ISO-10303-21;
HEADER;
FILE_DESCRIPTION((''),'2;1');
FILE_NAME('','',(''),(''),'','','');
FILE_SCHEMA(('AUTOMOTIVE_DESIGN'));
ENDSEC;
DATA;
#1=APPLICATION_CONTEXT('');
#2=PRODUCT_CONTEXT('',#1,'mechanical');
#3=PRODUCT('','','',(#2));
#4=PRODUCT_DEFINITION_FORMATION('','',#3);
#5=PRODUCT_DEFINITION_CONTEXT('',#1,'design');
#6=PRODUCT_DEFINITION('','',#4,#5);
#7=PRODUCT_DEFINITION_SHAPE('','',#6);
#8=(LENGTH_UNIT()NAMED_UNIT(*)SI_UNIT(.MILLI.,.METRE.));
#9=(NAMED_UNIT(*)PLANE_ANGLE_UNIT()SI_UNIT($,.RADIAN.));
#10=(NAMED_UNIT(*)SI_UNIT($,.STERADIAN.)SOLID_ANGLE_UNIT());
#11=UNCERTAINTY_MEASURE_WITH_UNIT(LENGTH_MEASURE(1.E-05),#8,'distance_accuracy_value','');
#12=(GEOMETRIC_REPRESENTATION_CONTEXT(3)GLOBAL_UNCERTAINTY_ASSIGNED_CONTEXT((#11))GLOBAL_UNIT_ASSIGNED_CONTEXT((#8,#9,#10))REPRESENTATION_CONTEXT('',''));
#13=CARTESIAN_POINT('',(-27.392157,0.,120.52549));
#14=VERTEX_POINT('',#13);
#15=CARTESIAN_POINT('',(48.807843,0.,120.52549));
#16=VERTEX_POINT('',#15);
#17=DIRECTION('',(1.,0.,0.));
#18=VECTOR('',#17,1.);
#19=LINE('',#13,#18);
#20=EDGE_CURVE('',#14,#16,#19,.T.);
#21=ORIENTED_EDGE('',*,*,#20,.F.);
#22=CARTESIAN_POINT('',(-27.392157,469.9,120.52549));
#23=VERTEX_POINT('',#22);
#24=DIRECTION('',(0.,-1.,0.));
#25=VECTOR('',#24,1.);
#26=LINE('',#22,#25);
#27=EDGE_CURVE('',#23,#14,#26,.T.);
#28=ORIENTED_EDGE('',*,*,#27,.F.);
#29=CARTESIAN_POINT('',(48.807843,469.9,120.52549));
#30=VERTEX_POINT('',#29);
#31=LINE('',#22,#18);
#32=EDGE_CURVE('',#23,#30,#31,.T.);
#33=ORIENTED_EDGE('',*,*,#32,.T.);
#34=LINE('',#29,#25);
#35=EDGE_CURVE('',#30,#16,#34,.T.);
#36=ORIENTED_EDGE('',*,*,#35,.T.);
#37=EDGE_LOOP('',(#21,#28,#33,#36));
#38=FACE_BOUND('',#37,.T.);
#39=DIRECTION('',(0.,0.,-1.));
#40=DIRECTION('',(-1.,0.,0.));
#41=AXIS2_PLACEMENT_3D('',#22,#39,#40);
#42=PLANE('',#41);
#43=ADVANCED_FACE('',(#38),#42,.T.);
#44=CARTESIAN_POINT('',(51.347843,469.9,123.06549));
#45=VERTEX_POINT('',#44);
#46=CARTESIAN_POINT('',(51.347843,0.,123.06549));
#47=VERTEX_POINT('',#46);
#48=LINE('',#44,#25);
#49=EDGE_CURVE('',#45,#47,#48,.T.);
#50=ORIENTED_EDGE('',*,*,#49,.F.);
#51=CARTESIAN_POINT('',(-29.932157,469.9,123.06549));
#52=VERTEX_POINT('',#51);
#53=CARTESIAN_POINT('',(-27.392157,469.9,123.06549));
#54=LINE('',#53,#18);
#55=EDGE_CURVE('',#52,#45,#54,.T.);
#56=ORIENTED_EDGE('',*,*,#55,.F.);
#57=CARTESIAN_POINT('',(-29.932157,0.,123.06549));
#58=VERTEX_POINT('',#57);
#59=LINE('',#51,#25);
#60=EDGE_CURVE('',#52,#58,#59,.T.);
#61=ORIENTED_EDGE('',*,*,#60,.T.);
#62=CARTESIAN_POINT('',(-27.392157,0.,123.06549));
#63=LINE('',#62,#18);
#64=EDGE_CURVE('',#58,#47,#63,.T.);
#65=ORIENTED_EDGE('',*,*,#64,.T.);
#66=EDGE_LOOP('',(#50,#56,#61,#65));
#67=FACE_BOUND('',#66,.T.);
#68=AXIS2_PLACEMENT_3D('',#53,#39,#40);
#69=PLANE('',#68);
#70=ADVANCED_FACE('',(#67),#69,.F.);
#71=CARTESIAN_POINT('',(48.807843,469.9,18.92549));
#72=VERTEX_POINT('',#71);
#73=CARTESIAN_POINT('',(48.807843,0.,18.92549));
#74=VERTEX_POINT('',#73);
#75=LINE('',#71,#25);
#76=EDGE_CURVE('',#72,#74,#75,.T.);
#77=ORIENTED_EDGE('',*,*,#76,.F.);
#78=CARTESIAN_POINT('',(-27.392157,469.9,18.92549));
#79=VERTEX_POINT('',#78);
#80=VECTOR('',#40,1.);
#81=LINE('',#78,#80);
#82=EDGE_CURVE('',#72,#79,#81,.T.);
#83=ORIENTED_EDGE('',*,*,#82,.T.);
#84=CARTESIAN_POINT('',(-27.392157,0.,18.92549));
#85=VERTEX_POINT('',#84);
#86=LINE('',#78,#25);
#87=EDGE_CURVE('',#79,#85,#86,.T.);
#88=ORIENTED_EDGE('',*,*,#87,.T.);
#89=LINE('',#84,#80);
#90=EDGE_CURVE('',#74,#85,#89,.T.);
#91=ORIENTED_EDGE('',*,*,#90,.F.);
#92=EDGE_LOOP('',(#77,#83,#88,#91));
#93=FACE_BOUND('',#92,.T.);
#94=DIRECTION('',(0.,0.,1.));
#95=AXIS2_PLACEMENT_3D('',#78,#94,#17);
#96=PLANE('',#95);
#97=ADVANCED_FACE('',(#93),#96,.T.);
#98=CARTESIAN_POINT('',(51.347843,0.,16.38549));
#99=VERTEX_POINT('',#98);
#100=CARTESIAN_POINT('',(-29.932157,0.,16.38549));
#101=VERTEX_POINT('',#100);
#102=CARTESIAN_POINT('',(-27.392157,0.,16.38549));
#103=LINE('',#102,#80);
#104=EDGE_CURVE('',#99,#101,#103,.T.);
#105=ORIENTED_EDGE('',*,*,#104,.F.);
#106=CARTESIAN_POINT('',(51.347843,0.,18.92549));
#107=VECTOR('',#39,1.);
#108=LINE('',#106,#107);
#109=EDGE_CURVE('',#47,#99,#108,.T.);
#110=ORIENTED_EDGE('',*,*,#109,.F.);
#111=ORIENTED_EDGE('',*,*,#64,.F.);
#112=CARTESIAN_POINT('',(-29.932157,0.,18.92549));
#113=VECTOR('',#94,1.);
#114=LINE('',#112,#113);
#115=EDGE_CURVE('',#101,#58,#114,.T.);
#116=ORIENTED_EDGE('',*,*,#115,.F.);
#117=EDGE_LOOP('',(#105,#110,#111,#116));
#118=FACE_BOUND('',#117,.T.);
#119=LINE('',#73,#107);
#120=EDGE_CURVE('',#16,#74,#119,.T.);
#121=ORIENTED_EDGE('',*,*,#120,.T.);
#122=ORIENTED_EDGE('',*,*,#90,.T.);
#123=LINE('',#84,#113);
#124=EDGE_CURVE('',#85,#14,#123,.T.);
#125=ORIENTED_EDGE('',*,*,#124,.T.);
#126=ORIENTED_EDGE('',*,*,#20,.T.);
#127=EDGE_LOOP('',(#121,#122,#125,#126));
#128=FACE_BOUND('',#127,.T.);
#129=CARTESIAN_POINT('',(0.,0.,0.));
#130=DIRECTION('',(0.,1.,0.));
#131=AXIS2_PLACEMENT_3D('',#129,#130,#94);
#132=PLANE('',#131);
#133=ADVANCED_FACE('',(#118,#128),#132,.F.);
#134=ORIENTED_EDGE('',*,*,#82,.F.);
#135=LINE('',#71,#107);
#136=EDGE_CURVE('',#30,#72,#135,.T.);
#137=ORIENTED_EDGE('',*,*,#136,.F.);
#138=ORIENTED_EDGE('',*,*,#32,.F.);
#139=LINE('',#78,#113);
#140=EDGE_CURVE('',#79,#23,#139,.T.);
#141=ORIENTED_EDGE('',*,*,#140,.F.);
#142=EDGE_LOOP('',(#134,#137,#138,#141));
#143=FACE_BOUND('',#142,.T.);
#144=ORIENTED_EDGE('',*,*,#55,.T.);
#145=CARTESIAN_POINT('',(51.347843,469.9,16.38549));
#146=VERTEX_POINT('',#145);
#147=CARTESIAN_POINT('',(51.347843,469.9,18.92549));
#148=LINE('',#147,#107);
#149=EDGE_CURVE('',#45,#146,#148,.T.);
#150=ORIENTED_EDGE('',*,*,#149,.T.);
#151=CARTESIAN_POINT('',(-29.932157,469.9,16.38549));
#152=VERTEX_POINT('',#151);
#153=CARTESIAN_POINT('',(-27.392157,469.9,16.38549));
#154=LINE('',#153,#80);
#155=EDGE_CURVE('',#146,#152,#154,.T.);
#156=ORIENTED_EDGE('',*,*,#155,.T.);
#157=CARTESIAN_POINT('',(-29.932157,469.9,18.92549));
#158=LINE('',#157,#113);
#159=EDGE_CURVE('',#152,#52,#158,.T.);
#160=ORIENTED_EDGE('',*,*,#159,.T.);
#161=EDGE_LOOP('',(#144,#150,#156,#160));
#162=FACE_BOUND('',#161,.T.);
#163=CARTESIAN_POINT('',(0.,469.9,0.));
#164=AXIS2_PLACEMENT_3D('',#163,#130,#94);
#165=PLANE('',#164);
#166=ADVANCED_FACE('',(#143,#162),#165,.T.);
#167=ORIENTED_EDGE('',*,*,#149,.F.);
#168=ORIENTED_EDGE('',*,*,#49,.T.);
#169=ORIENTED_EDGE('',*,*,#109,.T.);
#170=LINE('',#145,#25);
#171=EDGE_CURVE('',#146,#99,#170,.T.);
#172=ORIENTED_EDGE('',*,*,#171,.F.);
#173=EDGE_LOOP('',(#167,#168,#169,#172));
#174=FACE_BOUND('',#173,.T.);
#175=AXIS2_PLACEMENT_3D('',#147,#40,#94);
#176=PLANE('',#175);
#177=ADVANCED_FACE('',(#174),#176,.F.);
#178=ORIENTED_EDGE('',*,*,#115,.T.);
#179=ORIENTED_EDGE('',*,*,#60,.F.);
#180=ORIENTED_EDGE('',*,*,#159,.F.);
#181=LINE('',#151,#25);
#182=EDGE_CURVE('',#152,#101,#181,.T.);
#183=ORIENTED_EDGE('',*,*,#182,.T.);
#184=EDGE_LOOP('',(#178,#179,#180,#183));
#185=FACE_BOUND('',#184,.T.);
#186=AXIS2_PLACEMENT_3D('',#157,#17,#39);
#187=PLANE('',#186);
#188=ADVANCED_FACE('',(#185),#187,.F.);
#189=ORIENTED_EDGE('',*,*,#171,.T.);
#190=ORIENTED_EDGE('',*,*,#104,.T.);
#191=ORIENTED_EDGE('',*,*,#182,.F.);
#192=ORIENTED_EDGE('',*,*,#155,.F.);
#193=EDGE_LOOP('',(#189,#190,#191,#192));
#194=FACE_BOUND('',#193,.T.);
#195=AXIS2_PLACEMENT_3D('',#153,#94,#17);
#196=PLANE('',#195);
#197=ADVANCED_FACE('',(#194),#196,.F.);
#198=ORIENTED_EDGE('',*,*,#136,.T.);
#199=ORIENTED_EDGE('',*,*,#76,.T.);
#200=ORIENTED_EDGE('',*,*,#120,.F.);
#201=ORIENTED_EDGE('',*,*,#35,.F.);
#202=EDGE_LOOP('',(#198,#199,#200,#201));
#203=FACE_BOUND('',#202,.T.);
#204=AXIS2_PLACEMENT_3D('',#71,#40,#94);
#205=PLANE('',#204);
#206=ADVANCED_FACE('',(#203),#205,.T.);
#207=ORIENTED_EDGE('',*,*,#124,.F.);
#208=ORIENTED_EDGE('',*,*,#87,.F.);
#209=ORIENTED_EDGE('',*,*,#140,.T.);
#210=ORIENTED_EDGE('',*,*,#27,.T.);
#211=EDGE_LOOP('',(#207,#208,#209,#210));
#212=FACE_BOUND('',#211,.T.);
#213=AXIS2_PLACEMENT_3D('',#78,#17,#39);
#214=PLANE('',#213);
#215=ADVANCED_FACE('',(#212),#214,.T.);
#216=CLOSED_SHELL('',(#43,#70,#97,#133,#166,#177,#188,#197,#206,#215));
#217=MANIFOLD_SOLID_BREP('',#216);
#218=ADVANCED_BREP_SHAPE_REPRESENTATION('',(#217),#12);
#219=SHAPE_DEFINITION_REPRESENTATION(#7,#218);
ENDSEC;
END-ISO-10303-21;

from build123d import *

# Parameters (mm, degrees)
SKETCH1_W           = 81.28
SKETCH1_H           = 106.68
SKETCH1_W_2         = 76.2
SKETCH1_H_2         = 101.6
EXTRUDE_THIN1_DEPTH = 469.9


with BuildPart() as part:
    # Sketch1 → Extrude-Thin1 (new body)
    with BuildSketch(Plane(origin=(0, 0, 0), x_dir=(1, 0, 0), z_dir=(0, 1, 0))):
        with Locations((10.707843137, -69.725490196)):
            Rectangle(SKETCH1_W, SKETCH1_H)
        with Locations((10.707843137, -69.725490196)):
            Rectangle(SKETCH1_W_2, SKETCH1_H_2, mode=Mode.SUBTRACT)
    extrude(amount=EXTRUDE_THIN1_DEPTH)


solid = part.part
